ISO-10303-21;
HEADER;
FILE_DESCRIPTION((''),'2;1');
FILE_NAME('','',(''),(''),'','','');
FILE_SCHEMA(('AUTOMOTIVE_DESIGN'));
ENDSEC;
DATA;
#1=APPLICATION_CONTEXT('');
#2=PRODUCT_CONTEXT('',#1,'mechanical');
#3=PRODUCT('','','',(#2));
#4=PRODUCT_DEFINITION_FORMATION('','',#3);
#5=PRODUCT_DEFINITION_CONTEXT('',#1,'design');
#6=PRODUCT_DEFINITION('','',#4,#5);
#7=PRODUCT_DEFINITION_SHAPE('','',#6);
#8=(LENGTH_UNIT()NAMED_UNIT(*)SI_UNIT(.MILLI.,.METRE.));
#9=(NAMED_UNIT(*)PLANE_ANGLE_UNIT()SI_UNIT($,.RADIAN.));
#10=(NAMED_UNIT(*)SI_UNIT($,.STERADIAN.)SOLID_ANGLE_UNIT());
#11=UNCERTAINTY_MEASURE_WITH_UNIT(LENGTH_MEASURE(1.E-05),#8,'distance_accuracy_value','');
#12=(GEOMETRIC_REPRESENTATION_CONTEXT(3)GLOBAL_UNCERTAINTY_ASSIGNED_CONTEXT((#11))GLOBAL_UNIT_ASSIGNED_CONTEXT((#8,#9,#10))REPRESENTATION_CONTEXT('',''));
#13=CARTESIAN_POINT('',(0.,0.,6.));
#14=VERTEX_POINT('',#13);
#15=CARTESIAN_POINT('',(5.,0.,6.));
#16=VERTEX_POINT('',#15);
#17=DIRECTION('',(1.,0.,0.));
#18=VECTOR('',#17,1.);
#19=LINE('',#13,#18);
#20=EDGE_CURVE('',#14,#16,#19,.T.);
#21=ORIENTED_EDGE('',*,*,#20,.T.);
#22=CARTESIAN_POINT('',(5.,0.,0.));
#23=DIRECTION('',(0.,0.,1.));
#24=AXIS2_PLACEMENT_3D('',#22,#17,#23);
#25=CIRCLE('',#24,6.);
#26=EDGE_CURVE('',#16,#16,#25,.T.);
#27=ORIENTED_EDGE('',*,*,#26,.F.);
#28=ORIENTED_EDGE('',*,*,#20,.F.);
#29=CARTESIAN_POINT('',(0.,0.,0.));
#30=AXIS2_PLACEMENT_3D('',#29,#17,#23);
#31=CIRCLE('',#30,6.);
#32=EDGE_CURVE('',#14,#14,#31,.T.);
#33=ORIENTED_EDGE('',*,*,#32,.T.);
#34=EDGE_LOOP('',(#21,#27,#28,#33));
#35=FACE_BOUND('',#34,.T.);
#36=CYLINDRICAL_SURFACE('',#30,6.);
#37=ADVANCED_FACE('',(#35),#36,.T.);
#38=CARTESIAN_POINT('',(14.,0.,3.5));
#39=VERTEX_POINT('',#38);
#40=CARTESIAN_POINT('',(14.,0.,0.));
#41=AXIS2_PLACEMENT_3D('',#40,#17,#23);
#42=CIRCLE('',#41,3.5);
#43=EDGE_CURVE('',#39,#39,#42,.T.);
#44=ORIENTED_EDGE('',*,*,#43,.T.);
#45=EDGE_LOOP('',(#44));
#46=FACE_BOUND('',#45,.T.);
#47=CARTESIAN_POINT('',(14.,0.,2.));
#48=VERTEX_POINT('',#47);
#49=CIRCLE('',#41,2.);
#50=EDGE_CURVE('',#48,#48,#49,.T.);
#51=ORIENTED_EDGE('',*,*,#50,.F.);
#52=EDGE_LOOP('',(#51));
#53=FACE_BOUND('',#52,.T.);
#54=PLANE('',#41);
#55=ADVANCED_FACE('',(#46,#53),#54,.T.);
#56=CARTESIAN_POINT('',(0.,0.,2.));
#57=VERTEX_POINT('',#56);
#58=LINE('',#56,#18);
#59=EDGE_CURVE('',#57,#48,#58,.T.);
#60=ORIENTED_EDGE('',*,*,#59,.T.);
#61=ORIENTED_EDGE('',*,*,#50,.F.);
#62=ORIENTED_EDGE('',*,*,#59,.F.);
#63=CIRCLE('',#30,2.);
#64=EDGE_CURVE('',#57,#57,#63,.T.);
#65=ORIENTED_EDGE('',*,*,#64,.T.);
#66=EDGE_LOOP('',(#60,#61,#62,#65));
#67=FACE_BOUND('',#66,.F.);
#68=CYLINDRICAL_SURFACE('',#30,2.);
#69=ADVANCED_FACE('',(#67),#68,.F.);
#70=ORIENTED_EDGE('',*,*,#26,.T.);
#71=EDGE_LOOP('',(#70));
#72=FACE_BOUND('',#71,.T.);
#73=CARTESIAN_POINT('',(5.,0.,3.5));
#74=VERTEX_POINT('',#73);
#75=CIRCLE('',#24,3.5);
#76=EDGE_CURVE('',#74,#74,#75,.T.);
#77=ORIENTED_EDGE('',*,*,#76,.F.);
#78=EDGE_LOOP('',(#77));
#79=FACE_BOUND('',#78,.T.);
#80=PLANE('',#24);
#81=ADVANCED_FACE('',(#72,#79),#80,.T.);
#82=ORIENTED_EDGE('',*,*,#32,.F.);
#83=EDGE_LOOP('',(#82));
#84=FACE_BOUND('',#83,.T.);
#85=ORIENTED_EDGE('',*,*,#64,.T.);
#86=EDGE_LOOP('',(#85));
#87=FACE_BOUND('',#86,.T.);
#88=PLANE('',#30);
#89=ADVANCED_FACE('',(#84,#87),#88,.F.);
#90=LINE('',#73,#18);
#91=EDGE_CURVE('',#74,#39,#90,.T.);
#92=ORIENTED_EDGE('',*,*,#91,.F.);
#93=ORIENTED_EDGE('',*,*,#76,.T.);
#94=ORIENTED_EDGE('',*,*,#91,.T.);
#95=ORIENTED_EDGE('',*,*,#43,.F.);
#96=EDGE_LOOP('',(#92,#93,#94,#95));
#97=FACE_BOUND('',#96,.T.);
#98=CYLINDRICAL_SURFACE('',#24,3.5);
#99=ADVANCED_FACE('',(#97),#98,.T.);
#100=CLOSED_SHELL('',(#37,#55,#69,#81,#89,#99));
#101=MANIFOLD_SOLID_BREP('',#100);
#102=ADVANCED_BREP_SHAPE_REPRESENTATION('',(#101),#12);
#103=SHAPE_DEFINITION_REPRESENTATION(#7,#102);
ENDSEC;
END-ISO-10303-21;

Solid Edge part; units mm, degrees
sketch "Sketch1" plane through (0, 0, 0) normal (0, -1, 0) x (1, 0, 0)
  line L0 (0, 2) -> (0, 6)
  line L1 (0, 6) -> (5, 6)
  line L2 (5, 6) -> (5, 3.5)
  line L3 (5, 3.5) -> (14, 3.5)
  line L4 (14, 3.5) -> (14, 2)
  line L5 (0, 2) -> (14, 2)
  dimension "D1" = 3.5
  dimension "D2" = 4
  dimension "D3" = 5
  dimension "D4" = 9
  dimension "D5" = 2
revolve "RevolvedProtrusion1" add sketch "Sketch1" angle 360 about axis through (-60, 0, 0) along (1, 0, 0)
